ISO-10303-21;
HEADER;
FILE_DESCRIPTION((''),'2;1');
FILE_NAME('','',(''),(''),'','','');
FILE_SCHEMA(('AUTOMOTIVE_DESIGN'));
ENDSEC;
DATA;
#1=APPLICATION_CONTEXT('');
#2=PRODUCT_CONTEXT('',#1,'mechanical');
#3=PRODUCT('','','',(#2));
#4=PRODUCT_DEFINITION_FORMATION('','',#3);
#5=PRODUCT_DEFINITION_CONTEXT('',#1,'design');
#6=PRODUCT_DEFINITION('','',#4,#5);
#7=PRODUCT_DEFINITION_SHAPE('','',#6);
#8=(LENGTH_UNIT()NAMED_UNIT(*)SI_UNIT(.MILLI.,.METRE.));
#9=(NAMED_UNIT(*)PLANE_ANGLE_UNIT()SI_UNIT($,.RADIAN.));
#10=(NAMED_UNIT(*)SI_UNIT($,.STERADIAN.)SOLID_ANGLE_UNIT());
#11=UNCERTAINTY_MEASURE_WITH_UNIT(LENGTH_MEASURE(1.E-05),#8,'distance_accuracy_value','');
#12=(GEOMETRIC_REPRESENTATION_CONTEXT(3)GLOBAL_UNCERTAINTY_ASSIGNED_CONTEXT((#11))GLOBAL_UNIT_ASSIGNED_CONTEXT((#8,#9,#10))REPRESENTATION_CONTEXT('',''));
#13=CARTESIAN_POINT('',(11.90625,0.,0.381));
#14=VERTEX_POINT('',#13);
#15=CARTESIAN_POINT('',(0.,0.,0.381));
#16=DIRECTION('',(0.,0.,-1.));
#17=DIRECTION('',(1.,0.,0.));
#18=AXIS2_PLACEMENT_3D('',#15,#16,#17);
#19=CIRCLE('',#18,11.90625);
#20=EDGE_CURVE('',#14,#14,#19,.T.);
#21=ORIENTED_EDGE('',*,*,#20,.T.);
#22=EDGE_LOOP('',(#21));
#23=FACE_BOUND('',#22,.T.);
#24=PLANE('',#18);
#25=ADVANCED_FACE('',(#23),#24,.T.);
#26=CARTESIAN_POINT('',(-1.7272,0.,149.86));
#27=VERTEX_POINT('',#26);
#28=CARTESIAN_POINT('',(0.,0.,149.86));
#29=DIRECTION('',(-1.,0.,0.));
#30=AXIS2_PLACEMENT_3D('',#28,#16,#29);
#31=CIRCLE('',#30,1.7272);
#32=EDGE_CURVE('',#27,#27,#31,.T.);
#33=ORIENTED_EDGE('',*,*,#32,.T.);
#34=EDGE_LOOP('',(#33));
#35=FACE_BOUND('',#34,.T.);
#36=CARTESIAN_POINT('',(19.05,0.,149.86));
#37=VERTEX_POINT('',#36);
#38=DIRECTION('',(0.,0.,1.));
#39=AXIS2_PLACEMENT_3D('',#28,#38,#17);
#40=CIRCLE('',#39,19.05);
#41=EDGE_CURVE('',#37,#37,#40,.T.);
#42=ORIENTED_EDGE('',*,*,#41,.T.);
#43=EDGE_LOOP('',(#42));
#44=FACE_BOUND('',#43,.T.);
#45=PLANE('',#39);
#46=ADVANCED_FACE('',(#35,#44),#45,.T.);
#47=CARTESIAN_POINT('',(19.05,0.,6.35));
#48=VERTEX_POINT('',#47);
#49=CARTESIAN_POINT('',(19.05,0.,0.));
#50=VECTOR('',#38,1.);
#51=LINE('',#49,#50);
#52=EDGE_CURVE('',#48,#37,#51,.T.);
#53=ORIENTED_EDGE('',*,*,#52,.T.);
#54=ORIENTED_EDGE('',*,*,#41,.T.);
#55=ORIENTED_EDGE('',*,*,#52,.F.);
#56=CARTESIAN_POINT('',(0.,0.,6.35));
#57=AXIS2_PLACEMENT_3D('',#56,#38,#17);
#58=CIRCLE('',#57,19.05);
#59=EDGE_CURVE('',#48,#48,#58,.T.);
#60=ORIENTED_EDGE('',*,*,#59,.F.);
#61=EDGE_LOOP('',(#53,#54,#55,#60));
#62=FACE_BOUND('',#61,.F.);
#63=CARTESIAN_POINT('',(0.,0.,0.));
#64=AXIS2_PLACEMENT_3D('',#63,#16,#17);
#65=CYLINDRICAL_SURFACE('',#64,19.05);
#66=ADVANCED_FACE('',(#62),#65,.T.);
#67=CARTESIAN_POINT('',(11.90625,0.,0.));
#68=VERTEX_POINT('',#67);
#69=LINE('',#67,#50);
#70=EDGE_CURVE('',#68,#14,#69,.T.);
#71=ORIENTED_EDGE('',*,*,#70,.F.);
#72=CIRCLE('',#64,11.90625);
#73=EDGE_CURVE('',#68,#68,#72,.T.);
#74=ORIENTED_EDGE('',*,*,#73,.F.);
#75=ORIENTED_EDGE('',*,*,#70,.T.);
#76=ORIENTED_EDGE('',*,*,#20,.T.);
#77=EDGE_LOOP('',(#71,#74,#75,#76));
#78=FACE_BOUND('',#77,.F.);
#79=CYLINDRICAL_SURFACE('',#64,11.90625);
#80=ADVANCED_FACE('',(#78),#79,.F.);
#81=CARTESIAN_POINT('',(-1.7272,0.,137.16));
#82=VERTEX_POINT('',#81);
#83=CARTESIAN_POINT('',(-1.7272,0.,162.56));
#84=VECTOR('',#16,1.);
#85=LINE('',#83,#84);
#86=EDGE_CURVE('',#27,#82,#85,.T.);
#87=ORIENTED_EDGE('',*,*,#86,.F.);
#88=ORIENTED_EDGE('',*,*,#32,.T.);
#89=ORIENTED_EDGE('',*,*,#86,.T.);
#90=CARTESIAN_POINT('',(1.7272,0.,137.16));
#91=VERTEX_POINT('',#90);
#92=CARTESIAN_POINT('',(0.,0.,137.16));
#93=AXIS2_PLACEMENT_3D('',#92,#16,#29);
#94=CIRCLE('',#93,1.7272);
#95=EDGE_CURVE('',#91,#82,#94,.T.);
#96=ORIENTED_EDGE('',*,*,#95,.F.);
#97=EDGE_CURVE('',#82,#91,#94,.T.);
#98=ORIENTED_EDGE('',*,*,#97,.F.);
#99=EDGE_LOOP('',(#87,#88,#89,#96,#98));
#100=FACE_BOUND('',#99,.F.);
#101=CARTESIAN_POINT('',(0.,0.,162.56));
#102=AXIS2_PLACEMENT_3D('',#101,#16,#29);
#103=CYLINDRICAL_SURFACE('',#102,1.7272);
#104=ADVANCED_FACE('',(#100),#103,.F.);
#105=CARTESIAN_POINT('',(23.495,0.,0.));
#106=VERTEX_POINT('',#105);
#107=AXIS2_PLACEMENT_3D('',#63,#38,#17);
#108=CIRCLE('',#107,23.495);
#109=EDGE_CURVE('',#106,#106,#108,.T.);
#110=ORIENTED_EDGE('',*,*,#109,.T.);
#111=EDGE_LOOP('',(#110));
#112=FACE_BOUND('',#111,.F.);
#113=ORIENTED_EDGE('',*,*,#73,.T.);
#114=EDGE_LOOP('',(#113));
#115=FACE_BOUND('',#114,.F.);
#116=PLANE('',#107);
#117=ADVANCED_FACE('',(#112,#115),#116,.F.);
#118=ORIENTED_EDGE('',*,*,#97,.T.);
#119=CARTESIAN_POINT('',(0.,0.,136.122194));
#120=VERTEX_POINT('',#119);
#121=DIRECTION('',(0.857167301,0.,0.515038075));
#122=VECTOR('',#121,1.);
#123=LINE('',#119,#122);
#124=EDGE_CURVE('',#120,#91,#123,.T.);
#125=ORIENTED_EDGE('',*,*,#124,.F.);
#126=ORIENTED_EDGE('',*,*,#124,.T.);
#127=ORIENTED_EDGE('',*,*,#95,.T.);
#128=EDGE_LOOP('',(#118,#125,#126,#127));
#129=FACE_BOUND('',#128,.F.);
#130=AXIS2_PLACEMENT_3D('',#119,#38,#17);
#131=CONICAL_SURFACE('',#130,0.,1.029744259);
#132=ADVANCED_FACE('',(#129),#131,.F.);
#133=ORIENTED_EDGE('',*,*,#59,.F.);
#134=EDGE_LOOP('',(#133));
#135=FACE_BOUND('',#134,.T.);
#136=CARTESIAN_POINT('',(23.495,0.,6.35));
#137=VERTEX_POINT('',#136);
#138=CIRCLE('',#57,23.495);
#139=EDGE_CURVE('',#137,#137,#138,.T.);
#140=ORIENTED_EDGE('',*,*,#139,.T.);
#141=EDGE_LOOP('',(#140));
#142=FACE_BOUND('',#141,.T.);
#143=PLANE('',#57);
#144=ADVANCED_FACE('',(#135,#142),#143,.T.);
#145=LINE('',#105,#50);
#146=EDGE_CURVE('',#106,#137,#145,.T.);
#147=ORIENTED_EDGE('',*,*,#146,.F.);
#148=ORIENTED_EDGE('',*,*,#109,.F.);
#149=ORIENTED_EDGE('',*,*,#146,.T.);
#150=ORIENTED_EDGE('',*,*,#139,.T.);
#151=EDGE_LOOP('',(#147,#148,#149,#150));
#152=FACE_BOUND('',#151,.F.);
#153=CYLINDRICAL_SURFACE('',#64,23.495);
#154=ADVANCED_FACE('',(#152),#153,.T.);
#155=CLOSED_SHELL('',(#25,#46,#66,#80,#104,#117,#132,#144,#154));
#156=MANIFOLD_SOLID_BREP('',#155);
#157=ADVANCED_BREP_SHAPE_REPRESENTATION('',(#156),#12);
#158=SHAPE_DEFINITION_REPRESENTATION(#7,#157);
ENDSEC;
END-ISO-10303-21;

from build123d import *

# Parameters (mm, degrees)
F0_R     = 23.495
F0_R_2   = 19.05
F1_DEPTH = 6.35
F2_DEPTH = 149.86
F4_D     = 3.4544
F4_DEPTH = 12.7
F4_TIP   = 1.0378064612
F7_R     = 11.90625
F8_DEPTH = 0.381


with BuildPart() as f1:
    # F0 (on Top) → F1 (new body)
    with BuildSketch(Plane.XY):
        Circle(F0_R)
        Circle(F0_R_2, mode=Mode.SUBTRACT)
    extrude(amount=F1_DEPTH)

    # F0 (on Top) → F2 (join)
    with BuildSketch(Plane.XY):
        Circle(F0_R_2)
    extrude(amount=F2_DEPTH)

    # F4
    with Locations(Plane.XY.offset(149.86)):
        with Locations((0, 0)):
            Hole(F4_D / 2, depth=F4_DEPTH)
            with Locations((0, 0, -(F4_DEPTH + F4_TIP / 2))):  # 118° drill point
                Cone(0, F4_D / 2, F4_TIP, mode=Mode.SUBTRACT)


with BuildPart() as f5_1:
    # F5: copy of F1
    add(f1.part)


with BuildPart() as f1_1:
    add(f1.part)

    # F7 (on face) → F8 (cut)
    with BuildSketch(Plane(origin=(0, 0, 0), x_dir=(1, 0, 0), z_dir=(0, 0, -1))):
        Circle(F7_R)
    extrude(amount=-F8_DEPTH, mode=Mode.SUBTRACT)


solid = f1_1.part
